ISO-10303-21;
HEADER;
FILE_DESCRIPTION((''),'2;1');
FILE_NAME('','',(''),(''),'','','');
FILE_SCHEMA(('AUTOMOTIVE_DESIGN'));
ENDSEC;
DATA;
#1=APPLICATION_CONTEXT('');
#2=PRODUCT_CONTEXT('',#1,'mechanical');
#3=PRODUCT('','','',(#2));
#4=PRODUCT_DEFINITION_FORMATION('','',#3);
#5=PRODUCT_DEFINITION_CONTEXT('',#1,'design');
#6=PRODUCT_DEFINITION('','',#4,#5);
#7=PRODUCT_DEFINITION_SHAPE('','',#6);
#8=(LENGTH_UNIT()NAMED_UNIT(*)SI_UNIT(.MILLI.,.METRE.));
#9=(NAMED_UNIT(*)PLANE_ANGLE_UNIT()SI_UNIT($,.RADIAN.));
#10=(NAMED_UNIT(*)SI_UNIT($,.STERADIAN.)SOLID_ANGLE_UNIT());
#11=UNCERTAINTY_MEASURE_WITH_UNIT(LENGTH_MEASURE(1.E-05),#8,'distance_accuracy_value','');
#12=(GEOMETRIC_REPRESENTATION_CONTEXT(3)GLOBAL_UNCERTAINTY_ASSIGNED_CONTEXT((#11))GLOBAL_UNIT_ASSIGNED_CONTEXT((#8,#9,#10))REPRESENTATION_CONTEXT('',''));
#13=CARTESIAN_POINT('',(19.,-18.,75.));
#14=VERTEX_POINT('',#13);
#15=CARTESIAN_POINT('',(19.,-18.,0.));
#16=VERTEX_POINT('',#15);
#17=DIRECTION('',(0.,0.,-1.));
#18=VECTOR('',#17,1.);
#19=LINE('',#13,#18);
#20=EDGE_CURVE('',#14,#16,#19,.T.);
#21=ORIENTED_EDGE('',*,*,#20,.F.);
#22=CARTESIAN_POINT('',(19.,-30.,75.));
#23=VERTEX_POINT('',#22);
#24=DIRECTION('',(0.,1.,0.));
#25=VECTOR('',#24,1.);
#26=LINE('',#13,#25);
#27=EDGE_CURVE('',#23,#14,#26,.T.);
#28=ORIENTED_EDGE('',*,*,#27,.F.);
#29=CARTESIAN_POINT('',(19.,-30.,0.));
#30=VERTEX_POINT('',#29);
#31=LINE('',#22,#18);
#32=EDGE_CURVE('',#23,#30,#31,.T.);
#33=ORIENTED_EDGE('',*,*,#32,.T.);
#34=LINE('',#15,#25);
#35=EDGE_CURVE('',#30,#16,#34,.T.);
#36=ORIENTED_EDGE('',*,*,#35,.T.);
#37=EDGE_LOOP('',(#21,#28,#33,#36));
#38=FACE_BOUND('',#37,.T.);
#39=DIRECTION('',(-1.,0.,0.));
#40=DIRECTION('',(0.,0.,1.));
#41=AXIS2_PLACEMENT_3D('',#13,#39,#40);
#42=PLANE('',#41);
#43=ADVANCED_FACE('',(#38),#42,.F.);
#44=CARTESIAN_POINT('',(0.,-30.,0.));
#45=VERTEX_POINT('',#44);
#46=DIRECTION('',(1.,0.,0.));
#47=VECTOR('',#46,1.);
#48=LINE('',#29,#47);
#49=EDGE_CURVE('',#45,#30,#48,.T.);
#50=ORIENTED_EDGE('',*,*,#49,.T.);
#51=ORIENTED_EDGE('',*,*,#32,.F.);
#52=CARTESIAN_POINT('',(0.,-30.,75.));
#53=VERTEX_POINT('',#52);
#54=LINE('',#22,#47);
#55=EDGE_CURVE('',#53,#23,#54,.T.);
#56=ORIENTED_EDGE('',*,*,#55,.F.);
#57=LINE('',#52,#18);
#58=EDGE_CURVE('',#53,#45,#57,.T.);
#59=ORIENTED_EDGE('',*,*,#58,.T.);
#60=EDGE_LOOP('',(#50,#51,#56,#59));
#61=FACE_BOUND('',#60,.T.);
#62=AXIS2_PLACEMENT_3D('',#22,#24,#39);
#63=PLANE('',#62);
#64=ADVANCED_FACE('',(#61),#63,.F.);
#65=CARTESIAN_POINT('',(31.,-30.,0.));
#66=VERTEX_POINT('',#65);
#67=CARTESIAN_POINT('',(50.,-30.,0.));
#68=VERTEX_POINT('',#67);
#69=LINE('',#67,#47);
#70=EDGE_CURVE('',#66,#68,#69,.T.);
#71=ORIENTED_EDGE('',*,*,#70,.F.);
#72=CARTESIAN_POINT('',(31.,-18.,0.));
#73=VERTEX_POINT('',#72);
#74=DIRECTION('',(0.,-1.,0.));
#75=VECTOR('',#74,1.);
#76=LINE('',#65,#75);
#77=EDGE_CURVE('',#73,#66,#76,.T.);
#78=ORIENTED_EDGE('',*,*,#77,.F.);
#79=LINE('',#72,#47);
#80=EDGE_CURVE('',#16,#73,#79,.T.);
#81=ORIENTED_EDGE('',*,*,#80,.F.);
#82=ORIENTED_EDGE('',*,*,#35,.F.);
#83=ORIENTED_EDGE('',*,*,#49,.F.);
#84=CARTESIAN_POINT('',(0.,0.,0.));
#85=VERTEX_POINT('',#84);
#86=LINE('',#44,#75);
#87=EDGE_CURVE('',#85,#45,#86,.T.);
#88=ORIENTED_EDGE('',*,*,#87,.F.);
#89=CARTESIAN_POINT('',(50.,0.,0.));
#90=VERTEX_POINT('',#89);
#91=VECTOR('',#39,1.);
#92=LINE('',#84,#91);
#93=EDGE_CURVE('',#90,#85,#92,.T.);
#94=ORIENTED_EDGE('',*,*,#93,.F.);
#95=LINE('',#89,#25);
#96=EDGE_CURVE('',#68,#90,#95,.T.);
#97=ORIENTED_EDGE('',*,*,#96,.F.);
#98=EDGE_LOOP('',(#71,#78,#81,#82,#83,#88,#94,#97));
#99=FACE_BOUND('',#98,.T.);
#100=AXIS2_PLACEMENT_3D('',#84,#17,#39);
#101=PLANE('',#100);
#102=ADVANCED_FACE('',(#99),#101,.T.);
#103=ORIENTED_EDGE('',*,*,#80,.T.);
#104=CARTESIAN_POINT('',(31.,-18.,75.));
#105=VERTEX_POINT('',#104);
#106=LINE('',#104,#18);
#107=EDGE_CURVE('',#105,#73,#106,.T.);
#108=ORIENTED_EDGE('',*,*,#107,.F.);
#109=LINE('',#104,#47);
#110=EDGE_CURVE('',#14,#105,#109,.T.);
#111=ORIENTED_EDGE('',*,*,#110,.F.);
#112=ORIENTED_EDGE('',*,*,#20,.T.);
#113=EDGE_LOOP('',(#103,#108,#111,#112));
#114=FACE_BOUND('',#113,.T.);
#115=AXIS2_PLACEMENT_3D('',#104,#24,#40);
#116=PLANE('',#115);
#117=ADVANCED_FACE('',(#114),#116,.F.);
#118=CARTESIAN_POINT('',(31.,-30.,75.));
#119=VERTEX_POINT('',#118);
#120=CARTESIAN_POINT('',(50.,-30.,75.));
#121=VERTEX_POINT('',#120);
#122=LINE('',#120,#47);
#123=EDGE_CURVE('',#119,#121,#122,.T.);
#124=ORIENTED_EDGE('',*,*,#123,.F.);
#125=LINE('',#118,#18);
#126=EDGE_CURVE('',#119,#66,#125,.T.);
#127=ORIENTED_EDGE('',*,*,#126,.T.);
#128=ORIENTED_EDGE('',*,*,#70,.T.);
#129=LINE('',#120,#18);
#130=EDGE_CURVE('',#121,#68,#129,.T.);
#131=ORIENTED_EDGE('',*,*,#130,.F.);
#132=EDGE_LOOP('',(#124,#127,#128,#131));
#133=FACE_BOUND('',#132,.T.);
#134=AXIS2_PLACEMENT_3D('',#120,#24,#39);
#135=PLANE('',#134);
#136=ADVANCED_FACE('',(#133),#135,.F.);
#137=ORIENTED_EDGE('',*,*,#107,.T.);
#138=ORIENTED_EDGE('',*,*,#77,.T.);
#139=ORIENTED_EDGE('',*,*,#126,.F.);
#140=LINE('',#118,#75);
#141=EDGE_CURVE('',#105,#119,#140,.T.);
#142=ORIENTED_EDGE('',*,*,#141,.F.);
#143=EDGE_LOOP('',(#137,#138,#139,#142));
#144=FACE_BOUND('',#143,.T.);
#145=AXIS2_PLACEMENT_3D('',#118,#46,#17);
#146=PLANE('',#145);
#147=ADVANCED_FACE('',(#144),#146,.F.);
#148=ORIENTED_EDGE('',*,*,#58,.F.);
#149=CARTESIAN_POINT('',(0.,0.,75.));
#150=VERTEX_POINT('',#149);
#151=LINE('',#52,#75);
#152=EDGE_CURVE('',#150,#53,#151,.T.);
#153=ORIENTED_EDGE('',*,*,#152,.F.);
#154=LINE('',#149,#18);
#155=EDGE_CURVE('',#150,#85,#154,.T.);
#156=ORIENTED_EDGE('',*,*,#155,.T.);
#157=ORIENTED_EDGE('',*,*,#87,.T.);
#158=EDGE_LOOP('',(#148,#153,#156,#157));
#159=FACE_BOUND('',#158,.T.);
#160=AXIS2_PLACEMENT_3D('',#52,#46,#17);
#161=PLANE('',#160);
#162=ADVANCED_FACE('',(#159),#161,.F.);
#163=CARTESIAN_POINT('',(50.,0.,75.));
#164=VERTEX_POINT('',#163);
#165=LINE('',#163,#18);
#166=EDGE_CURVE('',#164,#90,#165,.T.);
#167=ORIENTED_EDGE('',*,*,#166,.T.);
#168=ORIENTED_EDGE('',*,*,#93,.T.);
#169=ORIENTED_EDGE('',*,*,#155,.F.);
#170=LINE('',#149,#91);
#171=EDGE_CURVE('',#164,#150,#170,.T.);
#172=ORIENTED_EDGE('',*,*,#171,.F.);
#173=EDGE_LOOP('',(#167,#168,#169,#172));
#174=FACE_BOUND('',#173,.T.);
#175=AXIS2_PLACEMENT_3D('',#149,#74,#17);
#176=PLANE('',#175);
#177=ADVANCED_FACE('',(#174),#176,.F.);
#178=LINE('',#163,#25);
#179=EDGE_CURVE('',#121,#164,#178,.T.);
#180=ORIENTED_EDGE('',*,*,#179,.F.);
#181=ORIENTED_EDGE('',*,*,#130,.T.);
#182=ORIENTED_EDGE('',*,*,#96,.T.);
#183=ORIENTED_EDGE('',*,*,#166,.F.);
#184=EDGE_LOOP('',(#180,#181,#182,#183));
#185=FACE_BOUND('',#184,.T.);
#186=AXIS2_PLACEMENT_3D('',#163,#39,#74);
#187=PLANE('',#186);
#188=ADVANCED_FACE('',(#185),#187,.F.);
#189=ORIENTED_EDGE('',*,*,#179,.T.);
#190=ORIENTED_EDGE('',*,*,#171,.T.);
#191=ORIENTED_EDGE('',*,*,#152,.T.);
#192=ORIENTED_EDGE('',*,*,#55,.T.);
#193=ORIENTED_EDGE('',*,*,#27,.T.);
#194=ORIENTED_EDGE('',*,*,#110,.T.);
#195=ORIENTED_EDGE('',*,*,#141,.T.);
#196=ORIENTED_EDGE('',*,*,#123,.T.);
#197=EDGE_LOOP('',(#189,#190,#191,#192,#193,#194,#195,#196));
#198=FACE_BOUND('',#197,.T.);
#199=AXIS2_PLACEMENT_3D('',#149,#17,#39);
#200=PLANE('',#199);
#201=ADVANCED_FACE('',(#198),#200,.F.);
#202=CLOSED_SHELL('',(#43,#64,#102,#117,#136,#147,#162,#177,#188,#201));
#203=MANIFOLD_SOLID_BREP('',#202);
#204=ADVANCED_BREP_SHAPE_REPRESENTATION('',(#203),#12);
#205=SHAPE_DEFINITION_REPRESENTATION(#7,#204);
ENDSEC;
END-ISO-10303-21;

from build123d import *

# Parameters (mm, degrees)
SALIENTE_EXTRUIR1_DEPTH = 75


with BuildPart() as part:
    # Croquis1 → Saliente-Extruir1 (new body)
    with BuildSketch(Plane.XY):
        Polygon((0, 0), (50, 0), (50, -30), (31, -30), (31, -18), (19, -18), (19, -30), (0, -30), align=None)
    extrude(amount=SALIENTE_EXTRUIR1_DEPTH)


solid = part.part
